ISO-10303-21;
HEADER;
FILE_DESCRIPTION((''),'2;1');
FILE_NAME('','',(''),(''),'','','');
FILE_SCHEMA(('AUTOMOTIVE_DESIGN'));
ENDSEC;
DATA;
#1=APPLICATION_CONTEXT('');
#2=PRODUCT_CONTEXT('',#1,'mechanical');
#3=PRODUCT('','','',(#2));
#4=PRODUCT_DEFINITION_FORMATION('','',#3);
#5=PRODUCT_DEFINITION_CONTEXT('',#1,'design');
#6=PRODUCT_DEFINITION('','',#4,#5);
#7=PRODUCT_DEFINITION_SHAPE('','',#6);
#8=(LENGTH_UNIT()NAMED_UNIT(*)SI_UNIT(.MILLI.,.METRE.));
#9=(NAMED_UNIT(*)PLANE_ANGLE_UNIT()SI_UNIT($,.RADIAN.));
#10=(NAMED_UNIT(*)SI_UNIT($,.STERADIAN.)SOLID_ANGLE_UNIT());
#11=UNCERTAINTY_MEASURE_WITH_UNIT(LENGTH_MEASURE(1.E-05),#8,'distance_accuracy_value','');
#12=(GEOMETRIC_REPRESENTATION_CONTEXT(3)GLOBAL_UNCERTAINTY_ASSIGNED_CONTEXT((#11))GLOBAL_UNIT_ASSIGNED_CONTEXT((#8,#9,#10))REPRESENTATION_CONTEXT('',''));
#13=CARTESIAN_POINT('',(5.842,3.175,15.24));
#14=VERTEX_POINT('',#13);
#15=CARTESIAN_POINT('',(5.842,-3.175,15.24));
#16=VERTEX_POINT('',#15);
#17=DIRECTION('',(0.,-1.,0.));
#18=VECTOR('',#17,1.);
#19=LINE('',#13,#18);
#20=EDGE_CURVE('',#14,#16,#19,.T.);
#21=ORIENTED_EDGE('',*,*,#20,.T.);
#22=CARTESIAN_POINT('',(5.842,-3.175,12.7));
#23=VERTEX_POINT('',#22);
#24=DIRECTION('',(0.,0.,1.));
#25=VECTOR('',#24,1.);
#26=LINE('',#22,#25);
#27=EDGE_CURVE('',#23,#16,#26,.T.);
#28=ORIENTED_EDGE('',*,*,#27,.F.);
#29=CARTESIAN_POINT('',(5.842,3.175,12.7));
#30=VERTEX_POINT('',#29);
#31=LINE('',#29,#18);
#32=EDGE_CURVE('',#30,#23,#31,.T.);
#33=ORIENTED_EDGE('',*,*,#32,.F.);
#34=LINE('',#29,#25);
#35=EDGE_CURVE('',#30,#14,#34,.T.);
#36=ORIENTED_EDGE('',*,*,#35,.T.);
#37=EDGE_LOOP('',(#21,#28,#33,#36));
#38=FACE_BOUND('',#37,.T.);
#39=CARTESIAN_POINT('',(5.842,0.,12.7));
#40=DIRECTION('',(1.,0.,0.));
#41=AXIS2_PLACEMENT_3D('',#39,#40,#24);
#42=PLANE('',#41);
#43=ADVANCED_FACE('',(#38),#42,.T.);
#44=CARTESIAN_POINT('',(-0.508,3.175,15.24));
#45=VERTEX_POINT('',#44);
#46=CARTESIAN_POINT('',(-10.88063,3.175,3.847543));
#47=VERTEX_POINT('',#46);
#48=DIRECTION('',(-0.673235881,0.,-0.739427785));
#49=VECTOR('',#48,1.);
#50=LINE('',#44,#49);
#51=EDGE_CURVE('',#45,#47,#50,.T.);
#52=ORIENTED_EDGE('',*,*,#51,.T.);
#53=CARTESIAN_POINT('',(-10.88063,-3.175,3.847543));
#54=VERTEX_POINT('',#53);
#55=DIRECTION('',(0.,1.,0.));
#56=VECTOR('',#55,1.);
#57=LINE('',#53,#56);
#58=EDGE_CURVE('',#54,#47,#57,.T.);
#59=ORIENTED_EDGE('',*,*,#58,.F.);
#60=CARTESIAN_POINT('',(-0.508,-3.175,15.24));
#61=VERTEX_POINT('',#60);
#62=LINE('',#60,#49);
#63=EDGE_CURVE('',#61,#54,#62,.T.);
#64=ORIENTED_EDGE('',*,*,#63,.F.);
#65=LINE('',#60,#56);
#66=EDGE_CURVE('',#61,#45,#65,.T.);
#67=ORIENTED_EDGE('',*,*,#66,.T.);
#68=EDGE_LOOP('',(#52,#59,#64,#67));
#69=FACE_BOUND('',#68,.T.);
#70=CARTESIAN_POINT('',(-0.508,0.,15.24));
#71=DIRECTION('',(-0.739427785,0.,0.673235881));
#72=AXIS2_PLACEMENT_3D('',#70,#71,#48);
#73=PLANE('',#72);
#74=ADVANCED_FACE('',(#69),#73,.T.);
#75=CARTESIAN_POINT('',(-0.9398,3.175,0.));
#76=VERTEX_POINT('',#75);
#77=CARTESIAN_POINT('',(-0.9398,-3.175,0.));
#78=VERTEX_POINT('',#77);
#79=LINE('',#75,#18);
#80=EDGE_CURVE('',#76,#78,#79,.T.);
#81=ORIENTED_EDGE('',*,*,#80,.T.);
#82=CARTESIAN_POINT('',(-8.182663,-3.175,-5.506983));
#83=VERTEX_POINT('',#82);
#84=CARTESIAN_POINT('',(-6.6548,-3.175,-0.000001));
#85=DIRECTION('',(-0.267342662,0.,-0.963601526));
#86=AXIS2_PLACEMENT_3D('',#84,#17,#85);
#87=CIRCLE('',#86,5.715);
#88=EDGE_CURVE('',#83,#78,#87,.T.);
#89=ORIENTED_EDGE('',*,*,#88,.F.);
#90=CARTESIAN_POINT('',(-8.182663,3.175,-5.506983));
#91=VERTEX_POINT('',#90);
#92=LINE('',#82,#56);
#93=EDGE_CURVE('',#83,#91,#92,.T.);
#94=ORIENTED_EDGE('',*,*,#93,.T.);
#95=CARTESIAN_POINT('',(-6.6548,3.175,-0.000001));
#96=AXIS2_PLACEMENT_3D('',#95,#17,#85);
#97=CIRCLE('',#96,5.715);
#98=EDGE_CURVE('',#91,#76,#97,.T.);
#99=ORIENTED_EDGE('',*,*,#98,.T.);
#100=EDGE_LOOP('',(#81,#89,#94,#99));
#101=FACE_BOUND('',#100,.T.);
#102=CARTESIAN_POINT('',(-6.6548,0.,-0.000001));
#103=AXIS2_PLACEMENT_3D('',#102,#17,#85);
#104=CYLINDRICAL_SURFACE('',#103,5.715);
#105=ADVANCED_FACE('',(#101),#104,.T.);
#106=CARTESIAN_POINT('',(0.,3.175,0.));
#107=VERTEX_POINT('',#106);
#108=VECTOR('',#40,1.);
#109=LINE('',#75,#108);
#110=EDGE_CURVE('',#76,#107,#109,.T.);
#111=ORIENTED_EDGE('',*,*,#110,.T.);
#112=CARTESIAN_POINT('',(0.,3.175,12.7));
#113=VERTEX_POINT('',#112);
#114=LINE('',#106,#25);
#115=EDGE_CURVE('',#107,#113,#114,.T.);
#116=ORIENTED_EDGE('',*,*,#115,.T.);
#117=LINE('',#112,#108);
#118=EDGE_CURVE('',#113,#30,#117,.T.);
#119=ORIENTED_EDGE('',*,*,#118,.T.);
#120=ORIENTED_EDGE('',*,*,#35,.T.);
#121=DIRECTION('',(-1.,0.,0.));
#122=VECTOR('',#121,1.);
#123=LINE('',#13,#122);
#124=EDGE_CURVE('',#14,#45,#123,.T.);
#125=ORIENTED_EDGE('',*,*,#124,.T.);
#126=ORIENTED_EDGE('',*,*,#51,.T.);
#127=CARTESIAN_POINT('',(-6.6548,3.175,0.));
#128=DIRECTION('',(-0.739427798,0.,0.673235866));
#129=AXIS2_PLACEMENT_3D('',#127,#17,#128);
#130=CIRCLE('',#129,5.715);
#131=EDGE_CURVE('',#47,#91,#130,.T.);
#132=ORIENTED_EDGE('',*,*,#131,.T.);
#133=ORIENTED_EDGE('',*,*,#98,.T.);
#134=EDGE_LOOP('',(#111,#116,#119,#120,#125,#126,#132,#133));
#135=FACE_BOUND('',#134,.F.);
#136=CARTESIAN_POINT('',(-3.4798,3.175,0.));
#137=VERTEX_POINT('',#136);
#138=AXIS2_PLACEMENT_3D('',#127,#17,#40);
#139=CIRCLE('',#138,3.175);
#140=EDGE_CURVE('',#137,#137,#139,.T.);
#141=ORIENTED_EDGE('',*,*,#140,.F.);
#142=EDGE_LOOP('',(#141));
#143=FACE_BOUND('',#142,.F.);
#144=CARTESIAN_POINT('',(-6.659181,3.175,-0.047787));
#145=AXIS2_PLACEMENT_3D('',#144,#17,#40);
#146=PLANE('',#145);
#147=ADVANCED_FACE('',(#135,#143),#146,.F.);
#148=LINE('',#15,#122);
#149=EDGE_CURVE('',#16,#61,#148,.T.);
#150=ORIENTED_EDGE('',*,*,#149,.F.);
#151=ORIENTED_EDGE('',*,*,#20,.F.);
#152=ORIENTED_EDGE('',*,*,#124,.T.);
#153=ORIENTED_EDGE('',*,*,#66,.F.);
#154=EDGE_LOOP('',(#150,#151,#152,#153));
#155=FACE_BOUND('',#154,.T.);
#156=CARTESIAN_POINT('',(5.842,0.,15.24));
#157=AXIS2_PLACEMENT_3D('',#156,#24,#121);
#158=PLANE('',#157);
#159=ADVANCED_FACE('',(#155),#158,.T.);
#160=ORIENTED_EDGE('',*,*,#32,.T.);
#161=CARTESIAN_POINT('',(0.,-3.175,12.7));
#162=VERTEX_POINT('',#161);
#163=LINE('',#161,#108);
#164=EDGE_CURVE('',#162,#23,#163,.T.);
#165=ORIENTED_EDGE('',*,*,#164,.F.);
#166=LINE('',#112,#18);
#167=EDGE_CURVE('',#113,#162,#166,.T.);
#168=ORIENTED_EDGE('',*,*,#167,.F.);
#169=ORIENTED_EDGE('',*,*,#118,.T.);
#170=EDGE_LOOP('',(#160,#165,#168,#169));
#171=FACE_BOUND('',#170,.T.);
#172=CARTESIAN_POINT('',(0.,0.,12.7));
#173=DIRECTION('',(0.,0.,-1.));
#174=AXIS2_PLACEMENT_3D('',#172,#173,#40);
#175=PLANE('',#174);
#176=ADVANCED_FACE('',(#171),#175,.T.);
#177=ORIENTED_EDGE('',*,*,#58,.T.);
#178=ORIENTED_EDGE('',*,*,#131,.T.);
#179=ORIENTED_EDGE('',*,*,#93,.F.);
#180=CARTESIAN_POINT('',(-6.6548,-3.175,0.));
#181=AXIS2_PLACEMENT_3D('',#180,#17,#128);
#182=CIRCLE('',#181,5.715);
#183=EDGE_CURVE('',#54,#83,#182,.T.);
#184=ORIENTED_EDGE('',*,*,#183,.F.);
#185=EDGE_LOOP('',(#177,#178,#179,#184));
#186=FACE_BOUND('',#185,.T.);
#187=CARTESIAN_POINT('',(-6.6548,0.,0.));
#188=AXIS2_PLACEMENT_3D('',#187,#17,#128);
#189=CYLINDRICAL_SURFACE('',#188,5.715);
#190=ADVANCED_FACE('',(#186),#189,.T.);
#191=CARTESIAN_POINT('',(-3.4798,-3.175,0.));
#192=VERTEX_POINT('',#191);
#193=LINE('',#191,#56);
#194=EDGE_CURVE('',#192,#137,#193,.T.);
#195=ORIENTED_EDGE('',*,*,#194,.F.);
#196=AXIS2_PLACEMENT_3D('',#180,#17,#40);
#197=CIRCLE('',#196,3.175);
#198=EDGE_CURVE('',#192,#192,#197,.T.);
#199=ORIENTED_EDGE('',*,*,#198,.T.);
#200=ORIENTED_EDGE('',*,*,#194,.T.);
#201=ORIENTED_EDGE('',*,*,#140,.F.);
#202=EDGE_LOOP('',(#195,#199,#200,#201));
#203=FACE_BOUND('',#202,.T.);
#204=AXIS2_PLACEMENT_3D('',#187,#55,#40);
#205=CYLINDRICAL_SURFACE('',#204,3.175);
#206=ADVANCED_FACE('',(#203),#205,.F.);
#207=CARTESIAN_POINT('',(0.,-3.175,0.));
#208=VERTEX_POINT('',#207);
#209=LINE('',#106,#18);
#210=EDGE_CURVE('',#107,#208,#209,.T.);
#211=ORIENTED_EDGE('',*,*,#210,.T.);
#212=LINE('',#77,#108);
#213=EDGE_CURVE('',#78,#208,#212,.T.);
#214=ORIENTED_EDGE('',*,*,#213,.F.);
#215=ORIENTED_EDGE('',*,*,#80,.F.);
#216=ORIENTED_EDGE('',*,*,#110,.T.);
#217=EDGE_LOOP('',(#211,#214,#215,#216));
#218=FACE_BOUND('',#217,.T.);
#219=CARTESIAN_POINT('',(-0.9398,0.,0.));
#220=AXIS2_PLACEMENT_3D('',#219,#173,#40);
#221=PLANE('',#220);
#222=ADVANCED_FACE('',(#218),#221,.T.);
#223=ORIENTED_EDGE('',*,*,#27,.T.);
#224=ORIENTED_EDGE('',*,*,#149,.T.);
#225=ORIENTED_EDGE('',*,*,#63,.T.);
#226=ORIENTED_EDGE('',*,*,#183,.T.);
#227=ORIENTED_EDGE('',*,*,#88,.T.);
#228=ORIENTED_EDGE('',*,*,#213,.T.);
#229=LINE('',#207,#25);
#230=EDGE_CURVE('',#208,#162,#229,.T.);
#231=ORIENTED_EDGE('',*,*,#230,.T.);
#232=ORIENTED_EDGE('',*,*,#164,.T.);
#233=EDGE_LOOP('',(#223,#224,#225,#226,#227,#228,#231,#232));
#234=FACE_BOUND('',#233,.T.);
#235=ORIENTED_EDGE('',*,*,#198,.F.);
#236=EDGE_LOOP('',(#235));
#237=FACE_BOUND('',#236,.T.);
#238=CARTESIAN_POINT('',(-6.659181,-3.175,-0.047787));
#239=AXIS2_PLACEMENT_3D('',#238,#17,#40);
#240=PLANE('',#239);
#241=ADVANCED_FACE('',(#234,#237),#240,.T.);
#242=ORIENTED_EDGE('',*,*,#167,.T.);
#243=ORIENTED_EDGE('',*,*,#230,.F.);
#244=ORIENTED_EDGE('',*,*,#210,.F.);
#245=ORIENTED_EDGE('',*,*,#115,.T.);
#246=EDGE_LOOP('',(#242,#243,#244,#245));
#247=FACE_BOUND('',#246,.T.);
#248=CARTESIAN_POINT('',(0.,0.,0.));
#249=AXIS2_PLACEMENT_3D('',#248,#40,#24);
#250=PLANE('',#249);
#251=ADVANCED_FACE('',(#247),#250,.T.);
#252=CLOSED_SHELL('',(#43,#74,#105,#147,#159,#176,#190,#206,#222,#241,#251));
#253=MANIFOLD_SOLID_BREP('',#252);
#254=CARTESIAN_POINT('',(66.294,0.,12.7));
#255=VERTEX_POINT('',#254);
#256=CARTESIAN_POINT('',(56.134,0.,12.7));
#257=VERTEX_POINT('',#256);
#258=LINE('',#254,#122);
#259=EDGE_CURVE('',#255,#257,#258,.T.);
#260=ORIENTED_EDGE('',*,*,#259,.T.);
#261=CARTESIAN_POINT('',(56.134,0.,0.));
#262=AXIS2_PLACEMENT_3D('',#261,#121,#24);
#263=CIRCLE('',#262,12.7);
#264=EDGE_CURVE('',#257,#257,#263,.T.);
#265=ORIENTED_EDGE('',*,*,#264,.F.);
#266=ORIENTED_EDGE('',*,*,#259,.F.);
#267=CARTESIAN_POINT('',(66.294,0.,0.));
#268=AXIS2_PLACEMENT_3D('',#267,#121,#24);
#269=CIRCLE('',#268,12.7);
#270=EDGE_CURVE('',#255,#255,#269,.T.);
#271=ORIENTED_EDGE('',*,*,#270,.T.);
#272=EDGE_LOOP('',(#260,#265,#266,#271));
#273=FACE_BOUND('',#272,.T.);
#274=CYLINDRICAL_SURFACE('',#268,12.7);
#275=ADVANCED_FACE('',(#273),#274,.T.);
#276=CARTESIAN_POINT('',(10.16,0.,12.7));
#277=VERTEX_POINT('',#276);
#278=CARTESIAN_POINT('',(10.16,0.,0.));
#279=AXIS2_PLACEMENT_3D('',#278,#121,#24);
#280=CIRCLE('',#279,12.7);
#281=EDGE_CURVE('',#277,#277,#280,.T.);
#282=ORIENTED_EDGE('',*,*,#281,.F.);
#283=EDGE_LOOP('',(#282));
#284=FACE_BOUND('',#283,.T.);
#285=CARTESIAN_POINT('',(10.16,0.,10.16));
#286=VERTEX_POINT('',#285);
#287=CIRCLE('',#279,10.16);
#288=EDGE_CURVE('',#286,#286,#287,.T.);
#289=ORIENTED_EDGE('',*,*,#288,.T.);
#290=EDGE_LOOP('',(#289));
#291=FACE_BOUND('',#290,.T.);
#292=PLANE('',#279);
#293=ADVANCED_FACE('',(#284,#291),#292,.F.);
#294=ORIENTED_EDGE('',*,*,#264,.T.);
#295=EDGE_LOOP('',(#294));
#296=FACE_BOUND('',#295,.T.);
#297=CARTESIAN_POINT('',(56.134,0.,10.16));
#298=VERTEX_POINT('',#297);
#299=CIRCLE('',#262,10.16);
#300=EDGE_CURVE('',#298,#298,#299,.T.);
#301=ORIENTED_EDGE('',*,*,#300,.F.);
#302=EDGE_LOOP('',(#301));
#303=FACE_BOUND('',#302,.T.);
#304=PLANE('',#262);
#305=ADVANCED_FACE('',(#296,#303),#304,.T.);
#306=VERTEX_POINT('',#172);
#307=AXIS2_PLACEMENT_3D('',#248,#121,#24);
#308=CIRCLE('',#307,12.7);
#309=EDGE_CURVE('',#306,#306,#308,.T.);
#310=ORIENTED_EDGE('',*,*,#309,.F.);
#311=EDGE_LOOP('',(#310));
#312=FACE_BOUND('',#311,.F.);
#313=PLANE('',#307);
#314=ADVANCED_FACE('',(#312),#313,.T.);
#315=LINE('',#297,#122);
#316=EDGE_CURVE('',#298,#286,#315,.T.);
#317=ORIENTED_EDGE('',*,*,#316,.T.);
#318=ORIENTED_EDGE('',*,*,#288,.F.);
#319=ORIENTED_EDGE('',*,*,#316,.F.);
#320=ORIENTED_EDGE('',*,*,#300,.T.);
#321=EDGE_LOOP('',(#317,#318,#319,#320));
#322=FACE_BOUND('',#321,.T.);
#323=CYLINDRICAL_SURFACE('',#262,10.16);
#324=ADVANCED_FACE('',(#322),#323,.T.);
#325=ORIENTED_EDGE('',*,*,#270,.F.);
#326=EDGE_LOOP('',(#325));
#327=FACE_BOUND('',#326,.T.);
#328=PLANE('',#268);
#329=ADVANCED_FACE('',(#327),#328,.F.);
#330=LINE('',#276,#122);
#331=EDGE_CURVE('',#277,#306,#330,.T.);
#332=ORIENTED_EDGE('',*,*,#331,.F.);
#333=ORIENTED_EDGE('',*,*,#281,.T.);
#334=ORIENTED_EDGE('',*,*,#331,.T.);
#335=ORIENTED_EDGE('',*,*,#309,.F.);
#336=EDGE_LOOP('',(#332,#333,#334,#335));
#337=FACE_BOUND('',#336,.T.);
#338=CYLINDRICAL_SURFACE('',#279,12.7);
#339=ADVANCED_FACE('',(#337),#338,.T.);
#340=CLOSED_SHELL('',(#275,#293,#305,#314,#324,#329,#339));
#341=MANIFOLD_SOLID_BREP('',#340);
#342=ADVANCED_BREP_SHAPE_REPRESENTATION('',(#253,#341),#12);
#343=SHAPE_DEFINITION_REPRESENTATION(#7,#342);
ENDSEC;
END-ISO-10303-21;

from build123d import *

# Parameters (mm, degrees)
F0_W     = 5.842
F0_H     = 12.7
F0_R     = 3.175
F2_DEPTH = 3.175


with BuildPart() as f1:
    # F0 (on Front) → F1 (revolve)
    with BuildSketch(Plane.XZ):
        with Locations((2.921, 6.35)):
            Rectangle(F0_W, F0_H)
        Polygon((5.842, 12.7), (5.842, 0), (66.294, 0), (66.294, 12.7), (56.134, 12.7), (56.134, 10.16), (10.16, 10.16), (10.16, 12.7), align=None)
    revolve(axis=Axis((33.147, 0, 0), (-1, 0, 0)))


with BuildPart() as f2:
    # F0 (on Front) → F2 (new body, symmetric)
    with BuildSketch(Plane.XZ):
        with BuildLine():
            ThreePointArc((-8.182663, -5.506983), (-3.195791, -4.549339), (-0.9398, 0))
            ThreePointArc((-0.9398, 0), (-4.591961, 5.329721), (-10.88063, 3.847543))
            ThreePointArc((-10.88063, 3.847543), (-12.145978, -1.583727), (-8.182663, -5.506983))
        make_face()
        with Locations((-6.6548, 0)):
            Circle(F0_R, mode=Mode.SUBTRACT)
        with BuildLine():
            Line((-0.9398, 0), (0, 0))
            Line((0, 0), (0, 12.7))
            Line((0, 12.7), (5.842, 12.7))
            Line((5.842, 12.7), (5.842, 15.24))
            Line((5.842, 15.24), (-0.508, 15.24))
            Line((-0.508, 15.24), (-10.88063, 3.847543))
            ThreePointArc((-10.88063, 3.847543), (-4.591961, 5.329721), (-0.9398, 0))
        make_face()
    extrude(amount=F2_DEPTH, both=True)


solid = Compound([f1.part, f2.part])
